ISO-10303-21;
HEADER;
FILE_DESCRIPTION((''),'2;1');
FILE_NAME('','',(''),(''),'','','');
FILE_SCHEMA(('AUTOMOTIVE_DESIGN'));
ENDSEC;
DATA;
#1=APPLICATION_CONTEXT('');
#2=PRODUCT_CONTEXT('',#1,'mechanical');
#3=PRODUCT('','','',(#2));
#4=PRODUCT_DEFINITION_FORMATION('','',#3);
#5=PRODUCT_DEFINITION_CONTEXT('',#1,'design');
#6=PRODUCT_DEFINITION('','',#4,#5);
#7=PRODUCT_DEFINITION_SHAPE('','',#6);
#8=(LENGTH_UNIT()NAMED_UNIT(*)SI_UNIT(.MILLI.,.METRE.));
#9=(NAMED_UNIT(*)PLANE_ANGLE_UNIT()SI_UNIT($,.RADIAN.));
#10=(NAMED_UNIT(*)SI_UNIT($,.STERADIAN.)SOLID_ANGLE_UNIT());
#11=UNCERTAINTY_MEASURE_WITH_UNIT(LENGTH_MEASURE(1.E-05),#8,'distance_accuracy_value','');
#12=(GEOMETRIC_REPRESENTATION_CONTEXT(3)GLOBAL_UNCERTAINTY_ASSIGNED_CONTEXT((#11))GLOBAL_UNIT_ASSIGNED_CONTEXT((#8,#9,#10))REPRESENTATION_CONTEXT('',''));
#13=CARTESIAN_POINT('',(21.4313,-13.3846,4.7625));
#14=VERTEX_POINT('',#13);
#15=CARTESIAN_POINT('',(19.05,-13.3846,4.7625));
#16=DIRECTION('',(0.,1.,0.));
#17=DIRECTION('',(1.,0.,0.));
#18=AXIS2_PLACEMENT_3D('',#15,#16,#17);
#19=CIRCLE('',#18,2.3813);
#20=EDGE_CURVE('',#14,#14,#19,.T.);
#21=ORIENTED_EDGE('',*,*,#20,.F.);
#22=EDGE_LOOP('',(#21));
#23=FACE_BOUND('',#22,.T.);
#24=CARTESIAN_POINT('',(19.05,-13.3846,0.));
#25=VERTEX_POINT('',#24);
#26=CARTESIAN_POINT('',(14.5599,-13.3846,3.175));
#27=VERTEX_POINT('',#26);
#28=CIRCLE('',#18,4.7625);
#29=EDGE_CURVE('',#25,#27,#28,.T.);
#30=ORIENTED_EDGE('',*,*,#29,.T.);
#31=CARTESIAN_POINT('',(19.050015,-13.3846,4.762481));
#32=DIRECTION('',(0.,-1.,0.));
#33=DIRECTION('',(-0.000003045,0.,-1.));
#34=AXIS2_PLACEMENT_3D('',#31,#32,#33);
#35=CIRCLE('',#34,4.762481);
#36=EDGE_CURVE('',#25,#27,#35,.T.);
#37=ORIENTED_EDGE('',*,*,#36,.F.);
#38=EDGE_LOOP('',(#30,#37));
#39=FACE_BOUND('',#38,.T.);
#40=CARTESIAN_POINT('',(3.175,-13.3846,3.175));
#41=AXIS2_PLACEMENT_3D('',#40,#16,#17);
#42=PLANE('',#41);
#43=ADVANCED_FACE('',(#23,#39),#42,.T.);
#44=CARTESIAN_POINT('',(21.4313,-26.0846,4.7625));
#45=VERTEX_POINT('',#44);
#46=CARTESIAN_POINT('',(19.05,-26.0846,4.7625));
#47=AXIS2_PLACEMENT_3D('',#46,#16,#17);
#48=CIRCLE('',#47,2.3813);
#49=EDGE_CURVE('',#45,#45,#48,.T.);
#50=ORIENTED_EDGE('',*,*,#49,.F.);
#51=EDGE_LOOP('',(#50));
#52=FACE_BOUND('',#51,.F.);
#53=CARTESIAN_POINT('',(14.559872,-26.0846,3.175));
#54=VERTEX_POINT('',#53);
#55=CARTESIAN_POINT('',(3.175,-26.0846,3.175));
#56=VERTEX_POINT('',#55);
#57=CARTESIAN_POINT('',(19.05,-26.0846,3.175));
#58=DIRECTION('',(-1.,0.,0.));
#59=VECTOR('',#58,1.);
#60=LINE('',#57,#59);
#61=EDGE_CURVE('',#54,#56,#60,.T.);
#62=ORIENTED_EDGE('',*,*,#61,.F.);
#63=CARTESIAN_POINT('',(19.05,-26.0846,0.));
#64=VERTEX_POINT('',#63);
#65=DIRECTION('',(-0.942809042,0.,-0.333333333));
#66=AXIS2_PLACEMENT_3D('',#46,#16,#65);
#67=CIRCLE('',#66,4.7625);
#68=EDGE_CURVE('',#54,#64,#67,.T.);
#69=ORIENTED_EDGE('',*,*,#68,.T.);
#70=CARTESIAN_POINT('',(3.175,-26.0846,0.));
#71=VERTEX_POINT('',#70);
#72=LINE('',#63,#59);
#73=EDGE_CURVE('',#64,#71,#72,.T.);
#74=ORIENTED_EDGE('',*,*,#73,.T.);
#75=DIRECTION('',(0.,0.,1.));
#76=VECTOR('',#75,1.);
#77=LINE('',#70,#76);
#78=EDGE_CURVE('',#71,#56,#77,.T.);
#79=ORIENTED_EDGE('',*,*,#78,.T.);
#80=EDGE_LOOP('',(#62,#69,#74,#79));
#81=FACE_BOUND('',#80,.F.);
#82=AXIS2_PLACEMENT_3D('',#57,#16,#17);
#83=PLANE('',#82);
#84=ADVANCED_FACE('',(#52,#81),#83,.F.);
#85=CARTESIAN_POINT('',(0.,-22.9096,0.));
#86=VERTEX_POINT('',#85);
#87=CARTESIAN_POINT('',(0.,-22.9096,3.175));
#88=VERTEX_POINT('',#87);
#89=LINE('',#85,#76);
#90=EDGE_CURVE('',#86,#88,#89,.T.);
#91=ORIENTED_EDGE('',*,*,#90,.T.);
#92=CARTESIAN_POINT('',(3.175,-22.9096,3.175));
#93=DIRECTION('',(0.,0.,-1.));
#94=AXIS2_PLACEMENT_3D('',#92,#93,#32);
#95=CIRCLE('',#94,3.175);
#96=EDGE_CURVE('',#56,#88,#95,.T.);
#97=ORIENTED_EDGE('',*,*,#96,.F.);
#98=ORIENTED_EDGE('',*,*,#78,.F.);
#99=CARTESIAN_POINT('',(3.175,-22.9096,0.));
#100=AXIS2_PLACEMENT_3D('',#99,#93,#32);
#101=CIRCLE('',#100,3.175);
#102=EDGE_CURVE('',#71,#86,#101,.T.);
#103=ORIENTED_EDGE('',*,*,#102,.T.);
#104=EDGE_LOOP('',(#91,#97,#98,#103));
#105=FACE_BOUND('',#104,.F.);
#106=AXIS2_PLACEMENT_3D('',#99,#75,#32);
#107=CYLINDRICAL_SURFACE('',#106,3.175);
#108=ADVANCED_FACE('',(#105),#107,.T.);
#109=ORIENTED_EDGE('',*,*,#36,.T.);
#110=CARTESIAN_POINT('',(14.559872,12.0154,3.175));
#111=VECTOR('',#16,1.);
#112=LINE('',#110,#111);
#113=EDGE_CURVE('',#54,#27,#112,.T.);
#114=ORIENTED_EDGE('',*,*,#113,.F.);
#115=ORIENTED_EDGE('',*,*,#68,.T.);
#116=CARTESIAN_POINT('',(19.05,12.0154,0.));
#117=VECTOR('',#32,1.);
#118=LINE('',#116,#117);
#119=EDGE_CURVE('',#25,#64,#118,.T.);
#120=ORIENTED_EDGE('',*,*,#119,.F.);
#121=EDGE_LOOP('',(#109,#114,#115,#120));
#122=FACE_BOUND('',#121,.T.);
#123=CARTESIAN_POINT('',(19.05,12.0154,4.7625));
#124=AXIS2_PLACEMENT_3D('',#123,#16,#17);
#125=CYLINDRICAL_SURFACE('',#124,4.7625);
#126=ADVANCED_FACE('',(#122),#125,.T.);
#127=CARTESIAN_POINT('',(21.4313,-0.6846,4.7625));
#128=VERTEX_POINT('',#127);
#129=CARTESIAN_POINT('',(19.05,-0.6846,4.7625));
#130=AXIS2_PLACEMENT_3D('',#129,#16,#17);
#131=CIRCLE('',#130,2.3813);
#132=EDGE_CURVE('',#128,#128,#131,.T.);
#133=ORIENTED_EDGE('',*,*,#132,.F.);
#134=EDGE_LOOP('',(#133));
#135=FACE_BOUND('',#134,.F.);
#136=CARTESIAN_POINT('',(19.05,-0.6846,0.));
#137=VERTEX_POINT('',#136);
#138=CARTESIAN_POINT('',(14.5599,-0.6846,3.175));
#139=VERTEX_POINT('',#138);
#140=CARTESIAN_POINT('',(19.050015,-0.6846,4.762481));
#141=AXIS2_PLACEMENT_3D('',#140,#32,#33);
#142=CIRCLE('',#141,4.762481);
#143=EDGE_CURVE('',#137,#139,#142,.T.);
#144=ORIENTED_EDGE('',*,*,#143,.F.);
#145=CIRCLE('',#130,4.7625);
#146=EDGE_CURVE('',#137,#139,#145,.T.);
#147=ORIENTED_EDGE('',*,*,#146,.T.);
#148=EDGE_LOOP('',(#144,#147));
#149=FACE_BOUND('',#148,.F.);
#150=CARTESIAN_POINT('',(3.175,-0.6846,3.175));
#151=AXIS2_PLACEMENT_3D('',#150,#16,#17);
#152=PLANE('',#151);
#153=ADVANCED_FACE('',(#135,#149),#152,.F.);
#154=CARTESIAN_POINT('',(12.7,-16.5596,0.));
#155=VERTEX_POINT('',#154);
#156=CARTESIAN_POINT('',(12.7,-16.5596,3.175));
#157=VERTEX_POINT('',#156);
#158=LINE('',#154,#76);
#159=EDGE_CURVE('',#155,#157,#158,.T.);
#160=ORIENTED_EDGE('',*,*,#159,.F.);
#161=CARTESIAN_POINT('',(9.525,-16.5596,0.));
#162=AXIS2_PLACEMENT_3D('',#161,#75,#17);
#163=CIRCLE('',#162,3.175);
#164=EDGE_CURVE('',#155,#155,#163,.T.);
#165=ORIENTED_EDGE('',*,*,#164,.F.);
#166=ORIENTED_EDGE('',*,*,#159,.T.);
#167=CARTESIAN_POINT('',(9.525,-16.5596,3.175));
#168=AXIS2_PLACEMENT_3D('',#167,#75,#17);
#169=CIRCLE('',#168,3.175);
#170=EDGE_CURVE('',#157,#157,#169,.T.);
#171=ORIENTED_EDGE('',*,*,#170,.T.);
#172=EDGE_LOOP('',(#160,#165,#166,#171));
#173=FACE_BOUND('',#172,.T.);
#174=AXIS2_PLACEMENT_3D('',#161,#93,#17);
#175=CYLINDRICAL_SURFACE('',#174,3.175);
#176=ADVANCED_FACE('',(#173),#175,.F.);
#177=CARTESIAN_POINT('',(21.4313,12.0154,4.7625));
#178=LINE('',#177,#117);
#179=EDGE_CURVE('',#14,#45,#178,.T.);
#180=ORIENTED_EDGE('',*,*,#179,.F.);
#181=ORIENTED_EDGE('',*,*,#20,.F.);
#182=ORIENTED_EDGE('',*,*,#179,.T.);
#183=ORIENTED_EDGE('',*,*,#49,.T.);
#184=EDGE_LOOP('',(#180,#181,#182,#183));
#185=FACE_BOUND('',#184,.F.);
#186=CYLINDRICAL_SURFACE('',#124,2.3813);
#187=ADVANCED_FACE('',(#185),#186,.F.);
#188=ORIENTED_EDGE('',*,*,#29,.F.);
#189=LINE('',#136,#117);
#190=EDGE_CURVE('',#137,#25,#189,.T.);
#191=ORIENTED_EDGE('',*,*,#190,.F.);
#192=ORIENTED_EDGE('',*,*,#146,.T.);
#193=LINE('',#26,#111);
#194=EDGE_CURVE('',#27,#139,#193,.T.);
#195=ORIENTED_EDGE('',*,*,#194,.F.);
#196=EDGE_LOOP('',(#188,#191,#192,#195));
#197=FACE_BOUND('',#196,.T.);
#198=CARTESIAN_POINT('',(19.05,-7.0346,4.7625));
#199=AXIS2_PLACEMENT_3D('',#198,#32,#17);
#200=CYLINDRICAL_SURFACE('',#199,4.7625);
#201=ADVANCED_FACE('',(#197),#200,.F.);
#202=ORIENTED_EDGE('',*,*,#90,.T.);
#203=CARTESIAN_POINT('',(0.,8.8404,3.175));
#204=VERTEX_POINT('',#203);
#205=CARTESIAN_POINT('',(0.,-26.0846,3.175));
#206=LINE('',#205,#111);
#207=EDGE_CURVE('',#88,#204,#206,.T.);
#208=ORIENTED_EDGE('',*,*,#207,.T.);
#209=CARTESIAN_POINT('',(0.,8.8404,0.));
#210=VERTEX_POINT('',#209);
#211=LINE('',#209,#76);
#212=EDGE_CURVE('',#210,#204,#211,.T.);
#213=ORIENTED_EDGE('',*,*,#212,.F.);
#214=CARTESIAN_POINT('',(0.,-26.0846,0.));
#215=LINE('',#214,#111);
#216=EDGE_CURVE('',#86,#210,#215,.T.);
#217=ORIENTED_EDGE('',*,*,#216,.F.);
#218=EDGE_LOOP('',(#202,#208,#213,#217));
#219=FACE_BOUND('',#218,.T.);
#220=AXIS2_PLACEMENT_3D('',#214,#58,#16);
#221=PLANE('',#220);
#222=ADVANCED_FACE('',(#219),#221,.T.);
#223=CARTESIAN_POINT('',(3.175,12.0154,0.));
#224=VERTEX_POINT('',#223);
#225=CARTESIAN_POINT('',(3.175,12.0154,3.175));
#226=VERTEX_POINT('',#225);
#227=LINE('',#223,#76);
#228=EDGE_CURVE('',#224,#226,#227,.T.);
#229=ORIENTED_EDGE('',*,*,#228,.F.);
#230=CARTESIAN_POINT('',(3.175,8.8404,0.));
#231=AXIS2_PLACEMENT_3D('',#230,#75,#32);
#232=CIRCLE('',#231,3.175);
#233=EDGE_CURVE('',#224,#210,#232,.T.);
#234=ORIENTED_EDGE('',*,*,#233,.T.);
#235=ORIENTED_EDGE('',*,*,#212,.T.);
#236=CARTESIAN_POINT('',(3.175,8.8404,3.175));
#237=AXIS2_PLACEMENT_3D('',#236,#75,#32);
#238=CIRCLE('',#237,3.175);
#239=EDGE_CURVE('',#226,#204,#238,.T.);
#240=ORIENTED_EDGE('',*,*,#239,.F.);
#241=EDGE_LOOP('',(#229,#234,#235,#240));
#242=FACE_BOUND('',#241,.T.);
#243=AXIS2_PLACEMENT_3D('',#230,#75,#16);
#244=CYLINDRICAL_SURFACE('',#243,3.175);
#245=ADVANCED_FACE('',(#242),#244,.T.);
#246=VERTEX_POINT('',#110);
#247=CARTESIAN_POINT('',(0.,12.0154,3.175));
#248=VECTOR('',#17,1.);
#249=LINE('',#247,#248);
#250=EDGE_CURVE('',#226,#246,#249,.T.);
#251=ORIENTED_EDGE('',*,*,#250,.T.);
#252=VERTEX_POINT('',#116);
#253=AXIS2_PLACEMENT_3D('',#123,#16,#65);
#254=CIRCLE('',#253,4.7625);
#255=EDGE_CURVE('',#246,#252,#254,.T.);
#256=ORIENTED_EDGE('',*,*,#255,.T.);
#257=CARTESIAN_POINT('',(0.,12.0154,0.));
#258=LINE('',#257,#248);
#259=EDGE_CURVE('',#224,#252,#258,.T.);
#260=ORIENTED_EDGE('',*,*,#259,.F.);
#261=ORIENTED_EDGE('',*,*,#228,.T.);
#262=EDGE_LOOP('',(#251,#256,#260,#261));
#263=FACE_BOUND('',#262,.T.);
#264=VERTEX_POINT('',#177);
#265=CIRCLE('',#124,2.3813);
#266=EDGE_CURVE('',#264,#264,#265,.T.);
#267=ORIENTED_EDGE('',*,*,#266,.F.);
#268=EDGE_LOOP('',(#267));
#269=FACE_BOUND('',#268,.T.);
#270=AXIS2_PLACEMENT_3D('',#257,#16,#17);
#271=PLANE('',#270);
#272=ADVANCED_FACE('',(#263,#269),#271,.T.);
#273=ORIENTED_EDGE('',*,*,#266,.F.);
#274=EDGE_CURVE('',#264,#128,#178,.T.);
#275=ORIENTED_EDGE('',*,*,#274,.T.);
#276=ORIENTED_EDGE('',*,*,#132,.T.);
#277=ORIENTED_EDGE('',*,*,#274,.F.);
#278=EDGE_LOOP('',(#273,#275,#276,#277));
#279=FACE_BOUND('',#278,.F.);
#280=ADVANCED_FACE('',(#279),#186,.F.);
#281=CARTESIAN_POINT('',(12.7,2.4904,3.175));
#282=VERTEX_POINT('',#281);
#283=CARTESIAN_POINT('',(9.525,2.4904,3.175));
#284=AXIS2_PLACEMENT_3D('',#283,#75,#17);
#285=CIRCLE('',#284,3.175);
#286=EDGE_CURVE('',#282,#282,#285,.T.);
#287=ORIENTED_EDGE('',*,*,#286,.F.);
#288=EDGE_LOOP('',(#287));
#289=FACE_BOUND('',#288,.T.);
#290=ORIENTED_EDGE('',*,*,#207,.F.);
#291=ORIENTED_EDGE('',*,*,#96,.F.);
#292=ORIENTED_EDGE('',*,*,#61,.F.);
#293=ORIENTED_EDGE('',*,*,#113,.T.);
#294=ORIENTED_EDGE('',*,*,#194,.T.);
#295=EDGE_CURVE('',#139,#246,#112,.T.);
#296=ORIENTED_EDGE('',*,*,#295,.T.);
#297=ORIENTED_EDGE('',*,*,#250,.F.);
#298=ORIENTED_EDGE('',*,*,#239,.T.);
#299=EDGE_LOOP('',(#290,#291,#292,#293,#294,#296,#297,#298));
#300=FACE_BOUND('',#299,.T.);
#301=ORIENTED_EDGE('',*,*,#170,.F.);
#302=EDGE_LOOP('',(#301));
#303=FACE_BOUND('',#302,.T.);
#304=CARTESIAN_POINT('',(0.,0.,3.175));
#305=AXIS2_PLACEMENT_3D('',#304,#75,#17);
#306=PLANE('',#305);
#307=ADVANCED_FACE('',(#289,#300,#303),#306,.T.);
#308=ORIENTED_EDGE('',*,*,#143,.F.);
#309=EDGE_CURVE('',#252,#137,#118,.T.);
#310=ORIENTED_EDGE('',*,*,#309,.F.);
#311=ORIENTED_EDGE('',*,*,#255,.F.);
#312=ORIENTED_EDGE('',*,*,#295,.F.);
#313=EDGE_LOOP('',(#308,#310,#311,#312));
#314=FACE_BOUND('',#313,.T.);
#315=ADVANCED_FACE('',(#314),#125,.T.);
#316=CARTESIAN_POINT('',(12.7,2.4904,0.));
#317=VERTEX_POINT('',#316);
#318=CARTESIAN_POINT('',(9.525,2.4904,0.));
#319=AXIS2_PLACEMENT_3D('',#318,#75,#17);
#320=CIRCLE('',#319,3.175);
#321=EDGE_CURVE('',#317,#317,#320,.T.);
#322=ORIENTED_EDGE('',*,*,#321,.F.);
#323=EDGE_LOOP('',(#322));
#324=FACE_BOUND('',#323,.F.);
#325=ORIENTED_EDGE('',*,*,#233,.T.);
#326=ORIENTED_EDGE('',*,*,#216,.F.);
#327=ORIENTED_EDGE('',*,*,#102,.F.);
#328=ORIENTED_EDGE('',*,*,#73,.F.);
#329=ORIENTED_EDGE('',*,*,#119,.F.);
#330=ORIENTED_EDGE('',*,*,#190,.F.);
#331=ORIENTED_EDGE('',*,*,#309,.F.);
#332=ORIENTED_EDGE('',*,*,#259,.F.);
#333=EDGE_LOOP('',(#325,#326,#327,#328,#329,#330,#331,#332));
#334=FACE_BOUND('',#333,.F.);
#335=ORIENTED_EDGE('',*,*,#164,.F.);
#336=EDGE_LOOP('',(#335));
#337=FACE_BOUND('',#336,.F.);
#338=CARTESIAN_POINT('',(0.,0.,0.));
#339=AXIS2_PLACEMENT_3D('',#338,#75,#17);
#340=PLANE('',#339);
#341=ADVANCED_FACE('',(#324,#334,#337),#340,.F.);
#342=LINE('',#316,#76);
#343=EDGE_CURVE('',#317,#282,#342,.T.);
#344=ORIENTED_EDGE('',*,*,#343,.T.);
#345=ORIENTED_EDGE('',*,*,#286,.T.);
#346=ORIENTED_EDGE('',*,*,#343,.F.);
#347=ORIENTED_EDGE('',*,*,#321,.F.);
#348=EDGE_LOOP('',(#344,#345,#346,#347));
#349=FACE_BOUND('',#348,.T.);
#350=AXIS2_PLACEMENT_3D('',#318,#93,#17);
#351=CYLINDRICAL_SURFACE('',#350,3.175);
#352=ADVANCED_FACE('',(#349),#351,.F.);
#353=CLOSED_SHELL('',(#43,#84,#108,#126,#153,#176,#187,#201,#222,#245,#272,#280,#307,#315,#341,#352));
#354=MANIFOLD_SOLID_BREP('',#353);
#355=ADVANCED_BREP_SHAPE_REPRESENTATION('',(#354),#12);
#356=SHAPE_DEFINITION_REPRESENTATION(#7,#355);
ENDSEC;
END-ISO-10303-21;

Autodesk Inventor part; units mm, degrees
ref_plane "YZ Plane" through (0, 0, 0) normal (1, 0, 0) x (0, 1, 0)
ref_plane "XZ Plane" through (0, 0, 0) normal (0, 1, 0) x (-1, 0, 0)
sketch "Sketch1" plane through (0, 0, 0) normal (0, 0, 1) x (1, 0, 0)
  line L0 (0, 12.0154) -> (19.05, 12.0154)
  line L1 (19.05, 12.0154) -> (19.05, -26.0846)
  line L2 (19.05, -26.0846) -> (0, -26.0846)
  line L3 (0, -26.0846) -> (0, 12.0154)
  circle A0 centre (9.525, 2.4904) radius 3.175
  circle A1 centre (9.525, -16.5596) radius 3.175
  point P0 (0, 0)
  dimension "d0" = 19.05
  dimension "d1" = 38.1
  dimension "d2" = 6.35
  dimension "d3" = 6.35
  dimension "d4" = 19.05
  dimension "d5" = 9.525
  dimension "d6" = 9.525
extrude "Extrusion1" add sketch "Sketch1" along normal blind 3.175
fillet "Fillet1" radius 3.175 2 edges at (0, 12.0154, 1.5875) (0, -26.0846, 1.5875)
sketch "Sketch2" plane through (19.05, 12.0154, 3.175) normal (0, 1, 0) x (1, 0, 0)
  circle A0 centre (0, -1.5875) radius 4.7625
  circle A1 centre (0, -1.5875) radius 4.7625
  line L0 (-15.875, 3.175) -> (0, 3.175) projected
  point P0 (-19.05, 3.175)
extrude "Extrusion2" add sketch "Sketch2" against normal blind 38.1
ref_plane "Work Plane1" through (3.175, -7.0346, 3.175) normal (0, 1, 0) x (1, 0, 0)
sketch "Sketch3" plane through (3.175, -7.0346, 3.175) normal (0, 1, 0) x (1, 0, 0)
  arc A0 (11.3849, 0) -> (15.875, 3.175) centre (15.875, -1.5875) ccw projected
  circle A1 centre (15.875, -1.5875) radius 4.7625
  point P0 (-3.175, 3.175)
extrude "Extrusion3" cut sketch "Sketch3" along normal mid plane 12.7
sketch "Sketch5" plane through (3.175, 12.0154, 3.175) normal (0, 1, 0) x (1, 0, 0)
  circle A0 centre (15.875, -1.5875) radius 2.3813
  point P0 (-3.175, 3.175)
  point P1 (15.875, -1.5875)
  dimension "d16" = 4.7625
extrude "Extrusion4" cut sketch "Sketch5" against normal blind 38.1
equation "\"d3\" = d2"
equation "\"d4\" = 0.5 * d1"
equation "\"d5\" = 0.25 * d1"
equation "\"d6\" = 0.5 * d0"
properties part number "hinge left" material "Brass, Soft Yellow"
